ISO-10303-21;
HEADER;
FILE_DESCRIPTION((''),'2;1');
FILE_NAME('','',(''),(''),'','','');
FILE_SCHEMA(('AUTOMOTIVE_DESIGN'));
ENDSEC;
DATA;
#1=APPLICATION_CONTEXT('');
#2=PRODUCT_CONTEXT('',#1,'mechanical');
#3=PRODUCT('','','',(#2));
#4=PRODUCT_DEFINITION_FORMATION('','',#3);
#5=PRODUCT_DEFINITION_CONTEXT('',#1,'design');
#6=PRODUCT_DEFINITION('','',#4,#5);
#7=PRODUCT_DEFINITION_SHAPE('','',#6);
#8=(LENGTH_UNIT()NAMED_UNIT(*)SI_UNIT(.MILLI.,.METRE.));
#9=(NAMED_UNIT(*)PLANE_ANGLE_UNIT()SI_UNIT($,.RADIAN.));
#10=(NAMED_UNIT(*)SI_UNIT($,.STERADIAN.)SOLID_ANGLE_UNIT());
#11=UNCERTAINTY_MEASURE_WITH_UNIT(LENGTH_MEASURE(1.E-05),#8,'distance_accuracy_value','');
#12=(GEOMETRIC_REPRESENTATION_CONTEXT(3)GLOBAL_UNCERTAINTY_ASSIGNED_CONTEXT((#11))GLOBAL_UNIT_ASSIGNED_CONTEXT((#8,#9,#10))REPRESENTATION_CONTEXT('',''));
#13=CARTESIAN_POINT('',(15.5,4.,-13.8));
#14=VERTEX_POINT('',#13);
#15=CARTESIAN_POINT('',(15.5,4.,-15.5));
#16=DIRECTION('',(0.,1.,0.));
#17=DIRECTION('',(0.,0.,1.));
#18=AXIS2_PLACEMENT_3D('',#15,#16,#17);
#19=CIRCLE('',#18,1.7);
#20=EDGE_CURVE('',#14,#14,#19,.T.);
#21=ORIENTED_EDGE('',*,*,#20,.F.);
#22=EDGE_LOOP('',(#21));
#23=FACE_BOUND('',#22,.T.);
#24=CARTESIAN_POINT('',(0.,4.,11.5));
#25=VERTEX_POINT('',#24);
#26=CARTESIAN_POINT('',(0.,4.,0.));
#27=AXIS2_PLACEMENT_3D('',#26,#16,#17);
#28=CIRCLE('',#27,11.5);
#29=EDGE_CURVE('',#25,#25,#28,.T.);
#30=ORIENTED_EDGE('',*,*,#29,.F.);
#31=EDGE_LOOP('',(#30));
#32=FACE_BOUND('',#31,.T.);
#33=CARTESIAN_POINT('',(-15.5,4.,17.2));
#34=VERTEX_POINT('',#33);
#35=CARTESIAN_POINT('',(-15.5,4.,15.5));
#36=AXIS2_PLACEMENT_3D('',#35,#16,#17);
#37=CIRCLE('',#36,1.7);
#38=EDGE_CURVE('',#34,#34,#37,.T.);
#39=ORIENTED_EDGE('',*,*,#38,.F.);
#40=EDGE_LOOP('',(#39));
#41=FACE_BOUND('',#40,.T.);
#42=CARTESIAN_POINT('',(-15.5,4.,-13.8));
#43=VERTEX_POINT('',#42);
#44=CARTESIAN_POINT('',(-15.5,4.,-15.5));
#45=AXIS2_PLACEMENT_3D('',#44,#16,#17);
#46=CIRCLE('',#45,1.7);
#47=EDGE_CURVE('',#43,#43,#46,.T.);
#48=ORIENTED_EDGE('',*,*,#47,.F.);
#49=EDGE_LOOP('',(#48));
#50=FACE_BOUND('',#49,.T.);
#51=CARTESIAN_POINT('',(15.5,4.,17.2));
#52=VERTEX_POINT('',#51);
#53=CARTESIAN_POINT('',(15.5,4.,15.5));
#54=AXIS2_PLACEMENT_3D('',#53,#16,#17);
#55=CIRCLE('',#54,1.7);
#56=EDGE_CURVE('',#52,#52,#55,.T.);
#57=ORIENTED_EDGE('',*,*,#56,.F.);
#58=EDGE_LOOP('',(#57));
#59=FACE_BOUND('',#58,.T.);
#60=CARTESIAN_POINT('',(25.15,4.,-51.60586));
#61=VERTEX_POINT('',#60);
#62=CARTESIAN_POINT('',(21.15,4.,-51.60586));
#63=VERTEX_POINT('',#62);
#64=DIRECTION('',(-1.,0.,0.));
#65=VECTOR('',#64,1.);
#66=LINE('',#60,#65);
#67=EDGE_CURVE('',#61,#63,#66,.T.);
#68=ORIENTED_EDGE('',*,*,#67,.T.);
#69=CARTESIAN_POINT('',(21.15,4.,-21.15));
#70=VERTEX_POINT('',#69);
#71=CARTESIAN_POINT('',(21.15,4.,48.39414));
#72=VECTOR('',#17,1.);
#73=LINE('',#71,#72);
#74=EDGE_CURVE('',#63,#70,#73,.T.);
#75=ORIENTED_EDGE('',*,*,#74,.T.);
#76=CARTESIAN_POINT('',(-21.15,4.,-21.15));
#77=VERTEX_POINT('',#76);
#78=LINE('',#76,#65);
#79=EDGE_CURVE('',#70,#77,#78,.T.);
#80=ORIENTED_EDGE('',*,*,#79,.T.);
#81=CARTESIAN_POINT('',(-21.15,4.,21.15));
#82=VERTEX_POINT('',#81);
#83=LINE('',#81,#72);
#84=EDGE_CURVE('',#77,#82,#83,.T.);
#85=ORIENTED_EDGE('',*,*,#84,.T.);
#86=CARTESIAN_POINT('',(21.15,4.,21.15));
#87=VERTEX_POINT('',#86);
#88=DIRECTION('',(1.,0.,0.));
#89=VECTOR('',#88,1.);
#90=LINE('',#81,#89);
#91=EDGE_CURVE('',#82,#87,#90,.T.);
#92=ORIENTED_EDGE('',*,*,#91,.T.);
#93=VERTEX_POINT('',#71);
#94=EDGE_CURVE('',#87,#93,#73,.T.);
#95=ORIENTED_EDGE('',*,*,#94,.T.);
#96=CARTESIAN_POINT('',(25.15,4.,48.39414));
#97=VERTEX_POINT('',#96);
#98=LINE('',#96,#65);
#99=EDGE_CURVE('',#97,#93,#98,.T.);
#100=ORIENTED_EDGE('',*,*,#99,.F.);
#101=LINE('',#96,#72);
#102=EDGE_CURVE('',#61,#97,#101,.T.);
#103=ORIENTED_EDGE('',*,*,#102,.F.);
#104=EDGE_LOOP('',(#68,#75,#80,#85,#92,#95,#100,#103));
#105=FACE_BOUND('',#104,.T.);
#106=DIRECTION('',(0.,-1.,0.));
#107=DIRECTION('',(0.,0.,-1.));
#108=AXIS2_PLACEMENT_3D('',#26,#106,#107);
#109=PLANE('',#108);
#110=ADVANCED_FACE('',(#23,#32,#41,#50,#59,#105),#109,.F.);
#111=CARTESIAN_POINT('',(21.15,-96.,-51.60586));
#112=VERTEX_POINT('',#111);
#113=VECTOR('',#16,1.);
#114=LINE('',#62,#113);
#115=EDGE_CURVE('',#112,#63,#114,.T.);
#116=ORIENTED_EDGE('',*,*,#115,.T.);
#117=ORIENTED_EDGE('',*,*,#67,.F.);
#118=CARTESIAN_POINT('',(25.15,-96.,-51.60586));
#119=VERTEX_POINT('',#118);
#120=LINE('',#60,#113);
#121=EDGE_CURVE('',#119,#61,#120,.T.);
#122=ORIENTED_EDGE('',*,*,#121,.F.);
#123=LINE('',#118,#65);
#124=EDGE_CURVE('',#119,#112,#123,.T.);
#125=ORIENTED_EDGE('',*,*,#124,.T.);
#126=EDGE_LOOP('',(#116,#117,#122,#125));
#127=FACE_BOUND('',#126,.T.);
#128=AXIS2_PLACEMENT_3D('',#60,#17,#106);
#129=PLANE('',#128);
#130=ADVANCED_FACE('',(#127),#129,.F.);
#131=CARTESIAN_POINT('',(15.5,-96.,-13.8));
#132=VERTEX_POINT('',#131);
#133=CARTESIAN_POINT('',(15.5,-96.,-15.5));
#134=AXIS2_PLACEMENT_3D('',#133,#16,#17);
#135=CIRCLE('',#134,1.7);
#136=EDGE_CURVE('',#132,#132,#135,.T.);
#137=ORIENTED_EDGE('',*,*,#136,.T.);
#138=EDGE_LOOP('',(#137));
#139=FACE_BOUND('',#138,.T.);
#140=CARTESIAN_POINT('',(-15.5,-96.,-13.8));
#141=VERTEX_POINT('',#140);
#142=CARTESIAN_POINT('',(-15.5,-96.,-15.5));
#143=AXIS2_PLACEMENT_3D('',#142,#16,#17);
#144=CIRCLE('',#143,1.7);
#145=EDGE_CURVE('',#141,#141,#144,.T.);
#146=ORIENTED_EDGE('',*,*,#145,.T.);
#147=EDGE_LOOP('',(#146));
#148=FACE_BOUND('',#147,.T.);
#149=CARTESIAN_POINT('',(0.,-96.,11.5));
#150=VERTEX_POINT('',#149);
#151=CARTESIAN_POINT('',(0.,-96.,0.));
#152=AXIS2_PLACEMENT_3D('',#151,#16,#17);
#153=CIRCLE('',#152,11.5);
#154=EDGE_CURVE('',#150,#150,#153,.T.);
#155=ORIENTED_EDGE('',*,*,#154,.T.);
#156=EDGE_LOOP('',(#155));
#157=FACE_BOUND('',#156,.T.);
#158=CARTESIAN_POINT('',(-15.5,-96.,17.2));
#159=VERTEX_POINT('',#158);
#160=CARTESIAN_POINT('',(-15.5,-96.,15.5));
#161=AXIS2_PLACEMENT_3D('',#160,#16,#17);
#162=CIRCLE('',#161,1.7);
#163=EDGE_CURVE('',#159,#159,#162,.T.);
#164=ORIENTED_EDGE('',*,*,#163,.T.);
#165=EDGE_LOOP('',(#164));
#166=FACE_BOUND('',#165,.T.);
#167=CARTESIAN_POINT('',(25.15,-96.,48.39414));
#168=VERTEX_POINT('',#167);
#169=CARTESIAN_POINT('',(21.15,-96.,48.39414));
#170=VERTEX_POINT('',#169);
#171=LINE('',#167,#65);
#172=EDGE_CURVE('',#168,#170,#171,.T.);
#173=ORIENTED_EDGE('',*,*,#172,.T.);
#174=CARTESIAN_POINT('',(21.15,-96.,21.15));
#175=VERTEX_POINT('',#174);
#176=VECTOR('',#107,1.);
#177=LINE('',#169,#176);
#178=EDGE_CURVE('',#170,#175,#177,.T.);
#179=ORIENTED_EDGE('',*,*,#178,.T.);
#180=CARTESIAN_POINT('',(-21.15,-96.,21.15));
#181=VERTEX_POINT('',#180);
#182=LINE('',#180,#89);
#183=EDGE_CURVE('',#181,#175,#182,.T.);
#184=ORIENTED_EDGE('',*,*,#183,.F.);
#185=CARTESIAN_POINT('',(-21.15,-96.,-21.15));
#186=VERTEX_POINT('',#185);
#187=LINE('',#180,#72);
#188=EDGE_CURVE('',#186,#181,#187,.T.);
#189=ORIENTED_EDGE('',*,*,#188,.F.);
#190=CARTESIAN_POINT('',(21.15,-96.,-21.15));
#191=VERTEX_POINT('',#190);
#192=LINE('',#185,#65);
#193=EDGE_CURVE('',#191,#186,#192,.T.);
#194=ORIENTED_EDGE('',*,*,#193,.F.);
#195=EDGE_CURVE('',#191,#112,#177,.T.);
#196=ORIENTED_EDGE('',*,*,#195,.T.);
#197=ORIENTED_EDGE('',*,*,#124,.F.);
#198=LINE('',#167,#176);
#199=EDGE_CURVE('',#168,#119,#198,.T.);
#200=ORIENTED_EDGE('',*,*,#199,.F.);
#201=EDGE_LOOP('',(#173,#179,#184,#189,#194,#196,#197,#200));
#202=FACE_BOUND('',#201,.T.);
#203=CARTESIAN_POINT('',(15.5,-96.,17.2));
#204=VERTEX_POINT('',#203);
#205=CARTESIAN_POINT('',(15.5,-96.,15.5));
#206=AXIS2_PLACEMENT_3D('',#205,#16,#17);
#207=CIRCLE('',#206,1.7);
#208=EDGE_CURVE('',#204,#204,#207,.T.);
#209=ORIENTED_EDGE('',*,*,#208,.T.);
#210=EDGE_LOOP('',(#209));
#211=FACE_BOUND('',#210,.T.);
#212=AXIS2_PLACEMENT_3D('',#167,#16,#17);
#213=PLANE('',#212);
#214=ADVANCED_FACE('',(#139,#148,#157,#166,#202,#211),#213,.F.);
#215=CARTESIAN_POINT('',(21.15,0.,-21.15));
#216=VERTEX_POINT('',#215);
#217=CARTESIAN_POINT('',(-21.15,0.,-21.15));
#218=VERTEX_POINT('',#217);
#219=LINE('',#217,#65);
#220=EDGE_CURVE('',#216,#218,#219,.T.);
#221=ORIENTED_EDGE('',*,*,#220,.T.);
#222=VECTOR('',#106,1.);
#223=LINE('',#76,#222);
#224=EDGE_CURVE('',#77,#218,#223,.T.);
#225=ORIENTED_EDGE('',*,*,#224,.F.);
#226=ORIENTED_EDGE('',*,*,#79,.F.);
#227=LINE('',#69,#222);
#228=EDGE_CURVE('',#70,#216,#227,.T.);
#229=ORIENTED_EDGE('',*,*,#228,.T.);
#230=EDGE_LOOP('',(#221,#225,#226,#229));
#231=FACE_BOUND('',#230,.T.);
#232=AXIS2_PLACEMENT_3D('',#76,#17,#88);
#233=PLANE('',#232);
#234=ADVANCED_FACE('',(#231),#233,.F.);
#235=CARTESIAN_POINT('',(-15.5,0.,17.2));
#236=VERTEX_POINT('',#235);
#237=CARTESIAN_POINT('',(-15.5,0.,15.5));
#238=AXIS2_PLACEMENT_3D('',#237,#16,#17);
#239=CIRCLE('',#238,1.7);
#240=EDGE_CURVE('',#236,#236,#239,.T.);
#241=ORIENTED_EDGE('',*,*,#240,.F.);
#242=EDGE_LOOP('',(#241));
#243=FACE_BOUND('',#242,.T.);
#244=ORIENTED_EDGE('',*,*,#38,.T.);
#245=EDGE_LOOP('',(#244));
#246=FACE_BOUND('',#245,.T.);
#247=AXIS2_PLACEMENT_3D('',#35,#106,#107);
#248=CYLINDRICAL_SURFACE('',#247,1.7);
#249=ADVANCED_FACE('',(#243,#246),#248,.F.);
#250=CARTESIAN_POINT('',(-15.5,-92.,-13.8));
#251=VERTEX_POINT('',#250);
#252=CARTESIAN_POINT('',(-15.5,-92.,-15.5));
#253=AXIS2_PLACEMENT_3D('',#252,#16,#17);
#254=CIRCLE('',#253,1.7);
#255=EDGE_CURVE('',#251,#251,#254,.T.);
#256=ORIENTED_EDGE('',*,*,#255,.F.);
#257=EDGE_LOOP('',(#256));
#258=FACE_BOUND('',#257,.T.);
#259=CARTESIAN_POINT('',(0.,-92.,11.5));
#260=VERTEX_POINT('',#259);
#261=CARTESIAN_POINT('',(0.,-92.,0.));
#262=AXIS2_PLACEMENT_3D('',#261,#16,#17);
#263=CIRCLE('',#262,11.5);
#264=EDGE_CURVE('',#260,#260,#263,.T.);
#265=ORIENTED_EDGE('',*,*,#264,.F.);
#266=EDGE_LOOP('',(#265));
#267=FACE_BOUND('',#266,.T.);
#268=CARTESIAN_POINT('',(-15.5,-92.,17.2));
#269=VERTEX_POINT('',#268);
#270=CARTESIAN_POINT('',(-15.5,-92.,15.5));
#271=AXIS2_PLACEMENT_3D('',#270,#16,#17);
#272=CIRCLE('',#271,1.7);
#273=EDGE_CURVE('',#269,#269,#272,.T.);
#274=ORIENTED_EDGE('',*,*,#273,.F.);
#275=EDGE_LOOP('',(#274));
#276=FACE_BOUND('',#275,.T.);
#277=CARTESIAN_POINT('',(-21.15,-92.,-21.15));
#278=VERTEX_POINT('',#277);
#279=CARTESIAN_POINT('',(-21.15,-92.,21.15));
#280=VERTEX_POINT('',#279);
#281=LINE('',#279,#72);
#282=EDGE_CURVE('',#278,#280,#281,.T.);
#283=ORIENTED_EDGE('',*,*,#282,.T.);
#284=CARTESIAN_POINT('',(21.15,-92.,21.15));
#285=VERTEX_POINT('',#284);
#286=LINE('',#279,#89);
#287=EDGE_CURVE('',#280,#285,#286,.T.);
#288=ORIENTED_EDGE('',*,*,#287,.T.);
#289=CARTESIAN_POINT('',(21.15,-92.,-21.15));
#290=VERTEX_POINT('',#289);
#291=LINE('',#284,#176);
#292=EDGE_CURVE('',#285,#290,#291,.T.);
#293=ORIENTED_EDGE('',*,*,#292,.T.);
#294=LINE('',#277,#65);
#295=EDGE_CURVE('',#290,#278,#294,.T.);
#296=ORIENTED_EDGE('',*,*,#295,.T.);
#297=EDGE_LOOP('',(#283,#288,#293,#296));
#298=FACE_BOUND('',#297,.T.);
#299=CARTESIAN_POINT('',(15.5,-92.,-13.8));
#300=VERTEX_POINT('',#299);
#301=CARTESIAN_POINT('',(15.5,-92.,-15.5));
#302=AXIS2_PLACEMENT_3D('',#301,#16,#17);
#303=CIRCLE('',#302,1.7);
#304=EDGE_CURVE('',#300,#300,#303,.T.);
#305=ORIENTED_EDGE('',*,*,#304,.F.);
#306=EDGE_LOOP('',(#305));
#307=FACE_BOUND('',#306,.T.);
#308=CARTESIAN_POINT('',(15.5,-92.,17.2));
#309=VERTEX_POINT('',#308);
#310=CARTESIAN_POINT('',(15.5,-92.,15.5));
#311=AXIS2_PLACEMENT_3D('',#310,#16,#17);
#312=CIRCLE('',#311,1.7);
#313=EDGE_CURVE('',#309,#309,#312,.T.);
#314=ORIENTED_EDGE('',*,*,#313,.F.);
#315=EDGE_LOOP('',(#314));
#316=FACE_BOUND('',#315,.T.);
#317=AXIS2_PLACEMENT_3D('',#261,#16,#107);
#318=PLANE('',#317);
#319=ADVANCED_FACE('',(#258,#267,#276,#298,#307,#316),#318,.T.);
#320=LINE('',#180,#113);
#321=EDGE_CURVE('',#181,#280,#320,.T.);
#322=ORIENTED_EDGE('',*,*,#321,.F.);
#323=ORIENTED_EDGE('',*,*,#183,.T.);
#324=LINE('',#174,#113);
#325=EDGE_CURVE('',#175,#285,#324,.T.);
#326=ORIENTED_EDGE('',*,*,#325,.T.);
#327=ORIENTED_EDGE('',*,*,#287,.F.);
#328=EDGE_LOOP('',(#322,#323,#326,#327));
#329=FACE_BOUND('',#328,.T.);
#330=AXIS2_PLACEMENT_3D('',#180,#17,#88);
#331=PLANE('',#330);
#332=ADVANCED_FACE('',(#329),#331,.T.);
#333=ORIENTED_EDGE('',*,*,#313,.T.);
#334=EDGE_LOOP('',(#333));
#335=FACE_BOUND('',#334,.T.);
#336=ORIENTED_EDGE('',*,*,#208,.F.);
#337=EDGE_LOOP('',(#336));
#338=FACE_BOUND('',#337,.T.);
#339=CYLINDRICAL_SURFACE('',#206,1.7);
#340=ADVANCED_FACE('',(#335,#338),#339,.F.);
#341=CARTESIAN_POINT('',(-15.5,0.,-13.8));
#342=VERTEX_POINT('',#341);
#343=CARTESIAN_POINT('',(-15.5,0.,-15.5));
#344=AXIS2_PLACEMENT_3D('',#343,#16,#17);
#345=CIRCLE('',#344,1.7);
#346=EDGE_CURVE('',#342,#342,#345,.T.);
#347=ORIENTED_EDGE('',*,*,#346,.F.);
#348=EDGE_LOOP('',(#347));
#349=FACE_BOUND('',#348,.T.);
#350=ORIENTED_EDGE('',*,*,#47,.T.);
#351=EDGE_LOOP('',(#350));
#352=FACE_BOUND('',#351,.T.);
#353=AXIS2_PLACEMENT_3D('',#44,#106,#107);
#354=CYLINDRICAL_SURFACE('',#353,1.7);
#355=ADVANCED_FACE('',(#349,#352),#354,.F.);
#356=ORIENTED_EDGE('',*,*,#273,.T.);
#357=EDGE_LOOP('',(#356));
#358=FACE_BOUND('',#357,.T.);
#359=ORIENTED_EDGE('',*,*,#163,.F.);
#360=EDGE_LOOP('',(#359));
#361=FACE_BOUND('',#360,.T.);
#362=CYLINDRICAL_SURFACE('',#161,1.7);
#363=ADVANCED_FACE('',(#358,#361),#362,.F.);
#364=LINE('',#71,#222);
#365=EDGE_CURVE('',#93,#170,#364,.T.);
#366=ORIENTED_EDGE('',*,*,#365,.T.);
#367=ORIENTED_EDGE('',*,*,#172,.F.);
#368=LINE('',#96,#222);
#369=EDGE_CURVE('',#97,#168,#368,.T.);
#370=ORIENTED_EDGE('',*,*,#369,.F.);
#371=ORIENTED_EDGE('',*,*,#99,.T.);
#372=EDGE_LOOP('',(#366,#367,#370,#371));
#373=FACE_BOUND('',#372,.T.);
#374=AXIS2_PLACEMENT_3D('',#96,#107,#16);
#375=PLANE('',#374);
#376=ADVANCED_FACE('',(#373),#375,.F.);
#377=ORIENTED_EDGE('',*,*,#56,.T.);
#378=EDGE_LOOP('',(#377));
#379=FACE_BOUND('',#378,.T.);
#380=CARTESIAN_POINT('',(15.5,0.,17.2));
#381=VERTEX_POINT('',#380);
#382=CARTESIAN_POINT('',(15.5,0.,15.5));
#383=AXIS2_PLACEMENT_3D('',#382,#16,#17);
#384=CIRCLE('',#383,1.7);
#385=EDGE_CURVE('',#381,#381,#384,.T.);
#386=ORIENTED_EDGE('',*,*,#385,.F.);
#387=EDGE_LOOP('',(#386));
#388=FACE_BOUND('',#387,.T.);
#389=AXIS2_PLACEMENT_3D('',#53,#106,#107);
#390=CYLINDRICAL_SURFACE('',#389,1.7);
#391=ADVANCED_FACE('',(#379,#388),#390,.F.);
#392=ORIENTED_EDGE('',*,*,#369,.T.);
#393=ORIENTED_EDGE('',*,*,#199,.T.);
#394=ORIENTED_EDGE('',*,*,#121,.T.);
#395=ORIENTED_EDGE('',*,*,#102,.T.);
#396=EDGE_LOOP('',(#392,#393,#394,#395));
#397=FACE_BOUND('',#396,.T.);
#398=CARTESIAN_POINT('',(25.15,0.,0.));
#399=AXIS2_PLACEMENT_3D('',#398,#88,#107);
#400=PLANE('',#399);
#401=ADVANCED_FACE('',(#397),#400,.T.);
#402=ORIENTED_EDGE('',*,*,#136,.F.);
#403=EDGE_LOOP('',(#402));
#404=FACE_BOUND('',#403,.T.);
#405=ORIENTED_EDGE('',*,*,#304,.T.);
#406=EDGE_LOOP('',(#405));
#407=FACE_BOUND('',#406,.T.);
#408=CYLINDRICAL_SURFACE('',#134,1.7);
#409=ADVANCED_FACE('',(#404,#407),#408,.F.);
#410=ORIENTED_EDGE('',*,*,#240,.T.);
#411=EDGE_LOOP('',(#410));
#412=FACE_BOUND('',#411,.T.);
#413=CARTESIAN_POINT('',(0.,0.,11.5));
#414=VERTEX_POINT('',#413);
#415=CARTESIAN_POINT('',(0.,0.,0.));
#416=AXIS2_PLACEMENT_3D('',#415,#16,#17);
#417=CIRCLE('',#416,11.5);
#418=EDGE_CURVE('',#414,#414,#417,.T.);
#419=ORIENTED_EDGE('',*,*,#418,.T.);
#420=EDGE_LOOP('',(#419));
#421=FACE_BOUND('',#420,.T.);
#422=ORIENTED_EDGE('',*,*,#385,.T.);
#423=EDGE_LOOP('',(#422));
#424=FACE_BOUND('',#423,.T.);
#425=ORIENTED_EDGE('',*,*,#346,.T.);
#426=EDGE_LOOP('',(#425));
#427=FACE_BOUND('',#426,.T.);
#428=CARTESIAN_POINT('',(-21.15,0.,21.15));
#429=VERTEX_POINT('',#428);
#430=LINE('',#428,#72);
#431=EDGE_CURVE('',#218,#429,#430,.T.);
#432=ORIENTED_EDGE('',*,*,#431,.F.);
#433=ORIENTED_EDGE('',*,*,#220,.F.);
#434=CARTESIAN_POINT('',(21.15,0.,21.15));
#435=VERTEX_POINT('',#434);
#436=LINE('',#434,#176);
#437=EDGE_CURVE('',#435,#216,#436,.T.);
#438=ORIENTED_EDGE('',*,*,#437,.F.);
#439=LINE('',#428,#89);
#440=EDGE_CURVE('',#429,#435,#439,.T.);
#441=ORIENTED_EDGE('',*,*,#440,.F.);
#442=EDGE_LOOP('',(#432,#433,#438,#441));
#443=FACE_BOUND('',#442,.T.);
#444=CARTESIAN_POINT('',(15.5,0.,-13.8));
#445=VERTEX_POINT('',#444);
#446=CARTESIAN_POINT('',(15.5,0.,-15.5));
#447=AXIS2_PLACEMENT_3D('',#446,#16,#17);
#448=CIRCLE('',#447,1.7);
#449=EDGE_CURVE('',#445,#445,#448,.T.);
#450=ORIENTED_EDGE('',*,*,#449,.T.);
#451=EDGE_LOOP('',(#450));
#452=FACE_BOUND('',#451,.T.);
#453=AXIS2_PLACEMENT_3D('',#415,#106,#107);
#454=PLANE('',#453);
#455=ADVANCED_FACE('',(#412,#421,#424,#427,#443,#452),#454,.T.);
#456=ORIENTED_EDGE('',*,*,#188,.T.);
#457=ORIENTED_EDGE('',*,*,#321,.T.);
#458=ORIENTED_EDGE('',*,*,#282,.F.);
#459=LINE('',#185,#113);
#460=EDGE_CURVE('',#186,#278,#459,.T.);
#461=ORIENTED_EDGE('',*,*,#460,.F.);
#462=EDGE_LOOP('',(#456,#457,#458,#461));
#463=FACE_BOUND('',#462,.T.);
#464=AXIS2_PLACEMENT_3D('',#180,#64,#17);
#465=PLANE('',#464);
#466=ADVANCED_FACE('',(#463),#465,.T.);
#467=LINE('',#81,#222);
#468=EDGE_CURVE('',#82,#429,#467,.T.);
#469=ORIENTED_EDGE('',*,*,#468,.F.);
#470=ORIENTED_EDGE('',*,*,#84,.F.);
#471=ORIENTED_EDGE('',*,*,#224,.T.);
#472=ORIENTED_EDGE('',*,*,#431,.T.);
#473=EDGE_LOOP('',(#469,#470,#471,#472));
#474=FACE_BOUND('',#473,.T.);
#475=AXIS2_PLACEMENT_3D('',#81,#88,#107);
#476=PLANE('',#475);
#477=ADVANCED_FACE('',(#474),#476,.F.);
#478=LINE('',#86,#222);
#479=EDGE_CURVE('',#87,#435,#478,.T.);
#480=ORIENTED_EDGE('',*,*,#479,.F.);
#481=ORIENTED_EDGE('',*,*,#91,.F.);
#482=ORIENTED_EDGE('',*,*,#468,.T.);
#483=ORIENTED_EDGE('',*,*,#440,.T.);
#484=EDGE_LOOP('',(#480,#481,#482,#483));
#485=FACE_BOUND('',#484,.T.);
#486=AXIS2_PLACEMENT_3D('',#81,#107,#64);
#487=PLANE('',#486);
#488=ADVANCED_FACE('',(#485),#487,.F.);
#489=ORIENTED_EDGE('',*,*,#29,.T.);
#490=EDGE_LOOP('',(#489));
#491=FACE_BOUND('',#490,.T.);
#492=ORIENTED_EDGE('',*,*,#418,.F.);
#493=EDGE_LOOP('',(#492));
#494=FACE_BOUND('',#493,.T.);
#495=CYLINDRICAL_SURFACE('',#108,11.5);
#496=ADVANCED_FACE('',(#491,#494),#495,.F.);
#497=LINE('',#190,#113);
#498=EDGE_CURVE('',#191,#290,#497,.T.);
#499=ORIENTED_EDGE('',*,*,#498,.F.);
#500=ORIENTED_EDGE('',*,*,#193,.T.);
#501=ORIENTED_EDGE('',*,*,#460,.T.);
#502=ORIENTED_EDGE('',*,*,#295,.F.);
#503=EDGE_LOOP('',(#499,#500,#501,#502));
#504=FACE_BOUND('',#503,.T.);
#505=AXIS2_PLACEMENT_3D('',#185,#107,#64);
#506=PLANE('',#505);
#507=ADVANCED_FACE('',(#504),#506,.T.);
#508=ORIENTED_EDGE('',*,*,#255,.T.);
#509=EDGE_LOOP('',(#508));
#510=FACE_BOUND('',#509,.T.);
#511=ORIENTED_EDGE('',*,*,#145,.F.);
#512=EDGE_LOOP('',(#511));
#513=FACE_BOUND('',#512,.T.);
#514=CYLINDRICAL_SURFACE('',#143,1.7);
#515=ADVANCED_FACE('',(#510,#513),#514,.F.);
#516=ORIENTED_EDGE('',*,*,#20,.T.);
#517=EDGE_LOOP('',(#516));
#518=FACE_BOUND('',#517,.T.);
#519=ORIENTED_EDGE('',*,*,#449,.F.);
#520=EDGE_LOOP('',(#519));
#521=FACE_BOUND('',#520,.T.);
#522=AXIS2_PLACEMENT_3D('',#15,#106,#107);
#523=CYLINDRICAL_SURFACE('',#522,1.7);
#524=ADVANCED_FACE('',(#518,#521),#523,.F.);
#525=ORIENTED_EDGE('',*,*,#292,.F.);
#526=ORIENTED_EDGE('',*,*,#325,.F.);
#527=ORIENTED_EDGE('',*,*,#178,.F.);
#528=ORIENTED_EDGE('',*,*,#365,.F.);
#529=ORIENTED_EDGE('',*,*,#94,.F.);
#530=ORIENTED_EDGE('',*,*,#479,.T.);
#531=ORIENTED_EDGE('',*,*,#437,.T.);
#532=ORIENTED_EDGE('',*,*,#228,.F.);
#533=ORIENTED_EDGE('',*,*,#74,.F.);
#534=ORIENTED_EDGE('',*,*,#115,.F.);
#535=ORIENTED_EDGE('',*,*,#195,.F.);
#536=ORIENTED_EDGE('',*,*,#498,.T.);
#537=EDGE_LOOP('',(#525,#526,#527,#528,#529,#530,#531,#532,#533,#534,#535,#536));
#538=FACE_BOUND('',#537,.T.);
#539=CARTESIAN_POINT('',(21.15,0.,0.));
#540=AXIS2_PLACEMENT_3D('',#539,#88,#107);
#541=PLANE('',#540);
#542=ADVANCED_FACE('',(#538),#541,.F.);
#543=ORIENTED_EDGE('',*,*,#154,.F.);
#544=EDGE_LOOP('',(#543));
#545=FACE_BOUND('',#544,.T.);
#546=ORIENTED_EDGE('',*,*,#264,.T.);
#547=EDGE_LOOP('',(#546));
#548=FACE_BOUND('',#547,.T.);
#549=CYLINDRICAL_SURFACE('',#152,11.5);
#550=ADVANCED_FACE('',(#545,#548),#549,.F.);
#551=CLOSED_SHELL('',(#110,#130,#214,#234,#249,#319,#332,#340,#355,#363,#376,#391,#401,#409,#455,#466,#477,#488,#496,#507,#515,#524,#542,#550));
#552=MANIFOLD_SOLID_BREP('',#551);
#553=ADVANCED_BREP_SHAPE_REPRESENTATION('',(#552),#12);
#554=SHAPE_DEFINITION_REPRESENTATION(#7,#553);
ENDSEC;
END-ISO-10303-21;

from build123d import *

# Parameters (mm, degrees)
SKETCH2_W           = 42.3
SKETCH2_H           = 42.3
SKETCH2_R           = 1.7
SKETCH2_R_2         = 11.5
BOSS_EXTRUDE1_DEPTH = 4
SKETCH10_W          = 100
SKETCH10_H          = 100
BOSS_EXTRUDE3_DEPTH = 4


with BuildPart() as part:
    # Sketch2 → Boss-Extrude1 (new body)
    with BuildSketch(Plane(origin=(0, 0, 0), x_dir=(1, 0, 0), z_dir=(0, 1, 0))):
        Rectangle(SKETCH2_W, SKETCH2_H)
        with Locations(Location((-15.5, 15.5, 0), (0, 0, 270))):
            Circle(SKETCH2_R, mode=Mode.SUBTRACT)
        with Locations(Location((15.5, 15.5, 0), (0, 0, 270))):
            Circle(SKETCH2_R, mode=Mode.SUBTRACT)
        with Locations(Location((15.5, -15.5, 0), (0, 0, 270))):
            Circle(SKETCH2_R, mode=Mode.SUBTRACT)
        with Locations(Location((-15.5, -15.5, 0), (0, 0, 270))):
            Circle(SKETCH2_R, mode=Mode.SUBTRACT)
        with Locations(Location((0, 0, 0), (0, 0, 270))):
            Circle(SKETCH2_R_2, mode=Mode.SUBTRACT)
    boss_extrude1 = extrude(amount=BOSS_EXTRUDE1_DEPTH)

    # Sketch10 → Boss-Extrude3 (add)
    with BuildSketch(Plane(origin=(21.15, 4, 21.15), x_dir=(0, 0, -1), z_dir=(1, 0, 0))):
        with Locations((22.755859724, -50)):
            Rectangle(SKETCH10_W, SKETCH10_H)
    extrude(amount=BOSS_EXTRUDE3_DEPTH)

    # Mirror1: Boss-Extrude1 across plane
    add(boss_extrude1.mirror(Plane(origin=(0, -46, 0), x_dir=(0, 0, 1), z_dir=(0, -1, 0))))


solid = part.part
